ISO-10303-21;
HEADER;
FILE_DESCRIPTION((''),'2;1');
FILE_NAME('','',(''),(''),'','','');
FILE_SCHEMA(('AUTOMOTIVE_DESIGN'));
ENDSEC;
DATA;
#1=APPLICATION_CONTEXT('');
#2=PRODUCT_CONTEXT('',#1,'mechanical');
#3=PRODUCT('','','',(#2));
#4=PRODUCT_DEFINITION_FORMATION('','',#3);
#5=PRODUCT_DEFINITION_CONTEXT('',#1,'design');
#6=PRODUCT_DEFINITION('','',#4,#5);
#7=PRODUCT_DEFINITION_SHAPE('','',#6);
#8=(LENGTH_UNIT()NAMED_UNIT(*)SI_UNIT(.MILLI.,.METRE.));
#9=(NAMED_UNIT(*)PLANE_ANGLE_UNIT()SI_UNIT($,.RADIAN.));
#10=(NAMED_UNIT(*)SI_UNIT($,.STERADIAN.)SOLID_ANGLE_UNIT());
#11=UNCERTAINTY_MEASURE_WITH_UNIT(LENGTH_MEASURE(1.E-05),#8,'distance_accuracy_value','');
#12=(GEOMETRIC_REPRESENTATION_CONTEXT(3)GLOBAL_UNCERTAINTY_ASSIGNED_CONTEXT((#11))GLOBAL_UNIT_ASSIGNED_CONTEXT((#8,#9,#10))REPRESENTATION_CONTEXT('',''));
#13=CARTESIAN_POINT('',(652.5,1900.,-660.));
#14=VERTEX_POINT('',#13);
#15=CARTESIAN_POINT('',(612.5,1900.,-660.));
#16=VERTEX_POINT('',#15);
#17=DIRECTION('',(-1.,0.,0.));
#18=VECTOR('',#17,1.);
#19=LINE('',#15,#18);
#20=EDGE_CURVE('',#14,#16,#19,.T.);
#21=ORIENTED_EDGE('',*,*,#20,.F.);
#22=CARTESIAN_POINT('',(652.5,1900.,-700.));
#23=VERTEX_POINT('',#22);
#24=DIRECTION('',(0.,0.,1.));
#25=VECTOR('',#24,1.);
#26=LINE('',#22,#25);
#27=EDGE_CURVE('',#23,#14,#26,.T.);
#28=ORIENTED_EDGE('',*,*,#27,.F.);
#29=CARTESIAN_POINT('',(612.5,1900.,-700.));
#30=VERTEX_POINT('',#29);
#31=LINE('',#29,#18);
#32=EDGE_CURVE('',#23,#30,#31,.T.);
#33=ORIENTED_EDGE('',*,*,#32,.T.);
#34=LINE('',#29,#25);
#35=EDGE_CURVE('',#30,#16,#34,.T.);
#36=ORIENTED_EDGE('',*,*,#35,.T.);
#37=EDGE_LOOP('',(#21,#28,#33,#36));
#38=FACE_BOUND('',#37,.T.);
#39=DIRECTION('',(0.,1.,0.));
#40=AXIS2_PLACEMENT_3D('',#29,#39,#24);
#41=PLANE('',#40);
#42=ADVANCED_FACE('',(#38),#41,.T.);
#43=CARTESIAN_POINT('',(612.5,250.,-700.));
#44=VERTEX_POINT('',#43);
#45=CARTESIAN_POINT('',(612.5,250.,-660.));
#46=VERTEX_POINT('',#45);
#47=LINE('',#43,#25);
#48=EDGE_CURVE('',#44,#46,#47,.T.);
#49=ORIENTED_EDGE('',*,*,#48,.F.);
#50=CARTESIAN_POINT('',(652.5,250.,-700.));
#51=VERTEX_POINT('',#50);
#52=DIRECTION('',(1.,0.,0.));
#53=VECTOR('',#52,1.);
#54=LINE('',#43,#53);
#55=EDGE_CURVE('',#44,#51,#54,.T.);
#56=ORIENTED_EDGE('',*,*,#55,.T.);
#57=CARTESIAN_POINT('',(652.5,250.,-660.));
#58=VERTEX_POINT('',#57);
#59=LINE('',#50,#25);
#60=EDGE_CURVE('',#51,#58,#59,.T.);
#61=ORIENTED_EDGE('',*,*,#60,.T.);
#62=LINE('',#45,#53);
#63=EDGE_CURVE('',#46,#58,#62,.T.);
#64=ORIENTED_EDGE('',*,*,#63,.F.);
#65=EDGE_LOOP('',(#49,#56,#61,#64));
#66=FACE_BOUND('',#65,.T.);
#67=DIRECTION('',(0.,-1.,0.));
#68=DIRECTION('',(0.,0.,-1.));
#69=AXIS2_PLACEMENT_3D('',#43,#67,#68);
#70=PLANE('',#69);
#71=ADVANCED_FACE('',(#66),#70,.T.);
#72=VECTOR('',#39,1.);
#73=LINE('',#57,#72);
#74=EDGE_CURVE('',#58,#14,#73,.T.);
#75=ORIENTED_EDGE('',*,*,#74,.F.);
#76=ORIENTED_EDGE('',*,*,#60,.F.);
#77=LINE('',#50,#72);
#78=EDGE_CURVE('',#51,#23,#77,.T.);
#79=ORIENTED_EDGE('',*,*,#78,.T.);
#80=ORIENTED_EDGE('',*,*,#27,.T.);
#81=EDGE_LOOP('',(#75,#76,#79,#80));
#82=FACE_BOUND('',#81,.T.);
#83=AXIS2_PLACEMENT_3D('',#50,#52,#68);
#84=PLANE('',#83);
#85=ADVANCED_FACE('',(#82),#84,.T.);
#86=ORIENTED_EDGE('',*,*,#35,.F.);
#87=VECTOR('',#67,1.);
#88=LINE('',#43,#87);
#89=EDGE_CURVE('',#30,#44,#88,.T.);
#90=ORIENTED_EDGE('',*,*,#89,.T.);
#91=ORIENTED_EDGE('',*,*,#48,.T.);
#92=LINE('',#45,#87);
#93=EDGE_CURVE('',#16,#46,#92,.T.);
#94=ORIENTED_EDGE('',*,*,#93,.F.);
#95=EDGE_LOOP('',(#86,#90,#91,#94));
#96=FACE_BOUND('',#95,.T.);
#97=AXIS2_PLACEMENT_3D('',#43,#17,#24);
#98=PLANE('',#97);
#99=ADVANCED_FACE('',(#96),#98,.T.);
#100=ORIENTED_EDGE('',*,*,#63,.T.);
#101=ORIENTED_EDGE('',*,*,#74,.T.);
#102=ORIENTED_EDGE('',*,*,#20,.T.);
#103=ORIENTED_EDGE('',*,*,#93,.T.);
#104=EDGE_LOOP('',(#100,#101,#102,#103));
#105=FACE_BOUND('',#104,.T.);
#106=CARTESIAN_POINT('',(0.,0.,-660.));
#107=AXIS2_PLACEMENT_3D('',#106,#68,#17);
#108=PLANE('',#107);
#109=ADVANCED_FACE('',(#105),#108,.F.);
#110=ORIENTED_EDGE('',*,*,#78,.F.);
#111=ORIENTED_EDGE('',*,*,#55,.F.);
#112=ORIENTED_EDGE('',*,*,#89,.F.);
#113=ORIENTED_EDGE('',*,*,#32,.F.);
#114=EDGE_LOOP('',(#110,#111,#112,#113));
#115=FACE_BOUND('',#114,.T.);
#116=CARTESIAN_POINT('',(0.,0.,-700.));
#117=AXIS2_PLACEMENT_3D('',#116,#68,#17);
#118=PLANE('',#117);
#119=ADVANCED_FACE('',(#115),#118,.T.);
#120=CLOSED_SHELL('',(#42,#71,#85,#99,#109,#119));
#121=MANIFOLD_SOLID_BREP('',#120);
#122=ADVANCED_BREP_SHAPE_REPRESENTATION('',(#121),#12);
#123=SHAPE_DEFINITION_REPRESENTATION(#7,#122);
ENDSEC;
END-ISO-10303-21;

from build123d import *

# Parameters (mm, degrees)
TOPPING_SAG_KANAL_KABLO_KANALI_1_START = -660
SKETCH1_W                              = 40
SKETCH1_H                              = 1650
TOPPING_SAG_KANAL_KABLO_KANALI_1_DEPTH = 40


with BuildPart() as part:
    # Sketch1 → TOPPING_sag_kanal_kablo_kanali_1 (new body)
    with BuildSketch(Plane.XY.offset(TOPPING_SAG_KANAL_KABLO_KANALI_1_START)):
        with Locations((632.5, 1075)):
            Rectangle(SKETCH1_W, SKETCH1_H)
    extrude(amount=-TOPPING_SAG_KANAL_KABLO_KANALI_1_DEPTH)


solid = part.part
